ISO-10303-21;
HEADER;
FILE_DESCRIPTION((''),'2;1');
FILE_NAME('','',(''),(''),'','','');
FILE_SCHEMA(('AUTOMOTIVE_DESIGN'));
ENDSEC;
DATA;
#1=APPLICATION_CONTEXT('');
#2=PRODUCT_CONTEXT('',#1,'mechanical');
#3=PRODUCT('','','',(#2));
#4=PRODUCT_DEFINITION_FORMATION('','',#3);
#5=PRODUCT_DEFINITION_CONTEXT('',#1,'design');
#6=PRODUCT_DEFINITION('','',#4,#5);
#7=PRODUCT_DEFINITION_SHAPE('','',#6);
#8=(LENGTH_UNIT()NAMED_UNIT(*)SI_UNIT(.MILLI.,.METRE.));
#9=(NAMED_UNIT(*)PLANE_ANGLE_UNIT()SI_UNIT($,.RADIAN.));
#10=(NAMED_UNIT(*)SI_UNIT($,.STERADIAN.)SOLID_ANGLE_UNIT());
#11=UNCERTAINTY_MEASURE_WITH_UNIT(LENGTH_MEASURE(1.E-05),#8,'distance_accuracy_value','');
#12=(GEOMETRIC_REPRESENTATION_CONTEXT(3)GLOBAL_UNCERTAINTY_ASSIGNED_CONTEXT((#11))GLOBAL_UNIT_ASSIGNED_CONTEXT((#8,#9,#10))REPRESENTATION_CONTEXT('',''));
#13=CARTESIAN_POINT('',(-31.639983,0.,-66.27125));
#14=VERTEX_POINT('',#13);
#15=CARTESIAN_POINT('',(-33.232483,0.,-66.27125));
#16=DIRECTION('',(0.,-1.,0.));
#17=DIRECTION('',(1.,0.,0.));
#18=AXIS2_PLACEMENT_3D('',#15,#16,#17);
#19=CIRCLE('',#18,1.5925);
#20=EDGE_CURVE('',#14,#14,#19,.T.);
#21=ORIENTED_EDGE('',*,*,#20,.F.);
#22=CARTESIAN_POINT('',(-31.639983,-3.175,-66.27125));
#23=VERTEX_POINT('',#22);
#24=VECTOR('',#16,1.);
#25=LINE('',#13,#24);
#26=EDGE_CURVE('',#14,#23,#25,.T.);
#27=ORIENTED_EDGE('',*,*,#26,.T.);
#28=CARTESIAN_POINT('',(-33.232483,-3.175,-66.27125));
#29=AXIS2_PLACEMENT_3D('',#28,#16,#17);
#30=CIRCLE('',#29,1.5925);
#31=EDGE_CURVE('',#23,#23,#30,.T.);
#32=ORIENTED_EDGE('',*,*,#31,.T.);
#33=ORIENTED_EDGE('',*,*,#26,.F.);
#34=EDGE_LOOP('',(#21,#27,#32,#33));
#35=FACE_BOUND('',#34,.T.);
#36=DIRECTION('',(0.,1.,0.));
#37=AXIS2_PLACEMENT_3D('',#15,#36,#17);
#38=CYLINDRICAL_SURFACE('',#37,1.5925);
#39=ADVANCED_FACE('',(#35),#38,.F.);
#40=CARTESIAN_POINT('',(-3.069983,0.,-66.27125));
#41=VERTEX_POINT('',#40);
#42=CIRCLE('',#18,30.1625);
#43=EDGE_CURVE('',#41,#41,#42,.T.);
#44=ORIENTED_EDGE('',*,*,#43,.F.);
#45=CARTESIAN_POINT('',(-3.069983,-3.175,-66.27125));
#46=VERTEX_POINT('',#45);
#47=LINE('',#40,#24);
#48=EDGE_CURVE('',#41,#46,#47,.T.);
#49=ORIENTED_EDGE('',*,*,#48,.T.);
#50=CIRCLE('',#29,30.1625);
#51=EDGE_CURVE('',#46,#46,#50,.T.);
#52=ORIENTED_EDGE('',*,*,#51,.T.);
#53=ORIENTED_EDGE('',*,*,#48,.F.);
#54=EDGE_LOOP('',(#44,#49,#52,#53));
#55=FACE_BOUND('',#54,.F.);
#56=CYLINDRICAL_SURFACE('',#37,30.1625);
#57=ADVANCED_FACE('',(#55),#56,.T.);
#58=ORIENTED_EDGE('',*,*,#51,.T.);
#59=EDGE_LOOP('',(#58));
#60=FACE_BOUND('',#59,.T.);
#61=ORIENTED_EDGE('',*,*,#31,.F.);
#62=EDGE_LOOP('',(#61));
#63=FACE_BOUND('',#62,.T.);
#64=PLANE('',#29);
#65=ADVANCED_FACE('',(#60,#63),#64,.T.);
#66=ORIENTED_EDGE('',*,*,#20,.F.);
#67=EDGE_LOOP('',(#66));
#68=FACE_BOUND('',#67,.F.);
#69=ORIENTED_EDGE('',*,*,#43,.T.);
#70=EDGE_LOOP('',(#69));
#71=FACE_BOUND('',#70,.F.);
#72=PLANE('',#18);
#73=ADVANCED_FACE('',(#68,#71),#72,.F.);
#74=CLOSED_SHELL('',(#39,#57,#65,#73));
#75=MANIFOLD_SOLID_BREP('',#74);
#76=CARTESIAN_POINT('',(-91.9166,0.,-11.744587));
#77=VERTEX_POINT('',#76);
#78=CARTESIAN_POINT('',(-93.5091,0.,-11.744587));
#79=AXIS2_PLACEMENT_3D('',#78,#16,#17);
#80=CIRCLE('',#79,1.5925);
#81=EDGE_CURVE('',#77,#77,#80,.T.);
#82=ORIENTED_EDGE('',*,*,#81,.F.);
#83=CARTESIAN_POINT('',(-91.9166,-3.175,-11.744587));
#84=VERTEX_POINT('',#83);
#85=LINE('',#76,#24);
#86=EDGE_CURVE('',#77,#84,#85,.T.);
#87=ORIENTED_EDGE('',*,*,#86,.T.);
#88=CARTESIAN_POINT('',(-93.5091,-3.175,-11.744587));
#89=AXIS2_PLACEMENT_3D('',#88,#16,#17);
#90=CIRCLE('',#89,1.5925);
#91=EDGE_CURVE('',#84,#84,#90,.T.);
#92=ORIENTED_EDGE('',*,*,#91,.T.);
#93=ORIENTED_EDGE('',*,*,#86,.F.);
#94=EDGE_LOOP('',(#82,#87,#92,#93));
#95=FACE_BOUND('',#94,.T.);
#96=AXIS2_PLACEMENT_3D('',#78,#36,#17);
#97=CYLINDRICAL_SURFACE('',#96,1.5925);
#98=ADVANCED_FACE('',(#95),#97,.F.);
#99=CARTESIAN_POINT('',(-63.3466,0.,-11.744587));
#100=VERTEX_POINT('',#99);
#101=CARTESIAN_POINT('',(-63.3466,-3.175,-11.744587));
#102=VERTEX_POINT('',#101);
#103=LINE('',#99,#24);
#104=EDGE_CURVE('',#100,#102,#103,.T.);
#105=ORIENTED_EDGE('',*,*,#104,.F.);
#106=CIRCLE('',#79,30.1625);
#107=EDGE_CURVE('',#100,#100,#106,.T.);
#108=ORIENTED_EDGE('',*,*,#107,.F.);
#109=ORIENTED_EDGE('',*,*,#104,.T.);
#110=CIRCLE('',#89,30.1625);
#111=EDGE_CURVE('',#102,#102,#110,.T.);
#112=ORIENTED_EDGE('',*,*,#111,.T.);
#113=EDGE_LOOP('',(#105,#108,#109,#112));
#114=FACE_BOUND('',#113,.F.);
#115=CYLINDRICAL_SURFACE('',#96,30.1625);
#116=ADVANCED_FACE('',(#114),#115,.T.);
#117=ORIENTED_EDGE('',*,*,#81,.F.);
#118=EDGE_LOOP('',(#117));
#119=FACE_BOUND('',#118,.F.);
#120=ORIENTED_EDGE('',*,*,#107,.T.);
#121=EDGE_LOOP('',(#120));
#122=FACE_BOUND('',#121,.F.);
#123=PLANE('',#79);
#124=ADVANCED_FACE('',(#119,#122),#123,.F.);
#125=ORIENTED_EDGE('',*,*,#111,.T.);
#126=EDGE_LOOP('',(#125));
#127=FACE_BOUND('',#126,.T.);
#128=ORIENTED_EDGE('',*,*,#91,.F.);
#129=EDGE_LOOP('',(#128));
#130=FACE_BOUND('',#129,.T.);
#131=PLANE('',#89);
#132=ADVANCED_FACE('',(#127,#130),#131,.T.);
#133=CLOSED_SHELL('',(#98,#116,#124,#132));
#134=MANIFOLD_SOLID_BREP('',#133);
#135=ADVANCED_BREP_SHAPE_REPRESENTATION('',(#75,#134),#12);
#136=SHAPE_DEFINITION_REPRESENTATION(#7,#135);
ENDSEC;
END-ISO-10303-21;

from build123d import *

# Parameters (mm, degrees)
F0_R     = 30.1625
F0_R_2   = 1.5925
F1_DEPTH = 3.175
F2_DEPTH = 3.175


with BuildPart() as f1:
    # F0 (on Front) → F1 (new body)
    with BuildSketch(Plane.XZ):
        with Locations((-93.5091, -11.744587)):
            Circle(F0_R)
        with Locations((-93.5091, -11.744587)):
            Circle(F0_R_2, mode=Mode.SUBTRACT)
    extrude(amount=F1_DEPTH)


with BuildPart() as f2:
    # F0 (on Front) → F2 (new body)
    with BuildSketch(Plane.XZ):
        with Locations((-33.232483, -66.27125)):
            Circle(F0_R)
        with Locations((-33.232483, -66.27125)):
            Circle(F0_R_2, mode=Mode.SUBTRACT)
    extrude(amount=F2_DEPTH)


solid = Compound([f1.part, f2.part])
